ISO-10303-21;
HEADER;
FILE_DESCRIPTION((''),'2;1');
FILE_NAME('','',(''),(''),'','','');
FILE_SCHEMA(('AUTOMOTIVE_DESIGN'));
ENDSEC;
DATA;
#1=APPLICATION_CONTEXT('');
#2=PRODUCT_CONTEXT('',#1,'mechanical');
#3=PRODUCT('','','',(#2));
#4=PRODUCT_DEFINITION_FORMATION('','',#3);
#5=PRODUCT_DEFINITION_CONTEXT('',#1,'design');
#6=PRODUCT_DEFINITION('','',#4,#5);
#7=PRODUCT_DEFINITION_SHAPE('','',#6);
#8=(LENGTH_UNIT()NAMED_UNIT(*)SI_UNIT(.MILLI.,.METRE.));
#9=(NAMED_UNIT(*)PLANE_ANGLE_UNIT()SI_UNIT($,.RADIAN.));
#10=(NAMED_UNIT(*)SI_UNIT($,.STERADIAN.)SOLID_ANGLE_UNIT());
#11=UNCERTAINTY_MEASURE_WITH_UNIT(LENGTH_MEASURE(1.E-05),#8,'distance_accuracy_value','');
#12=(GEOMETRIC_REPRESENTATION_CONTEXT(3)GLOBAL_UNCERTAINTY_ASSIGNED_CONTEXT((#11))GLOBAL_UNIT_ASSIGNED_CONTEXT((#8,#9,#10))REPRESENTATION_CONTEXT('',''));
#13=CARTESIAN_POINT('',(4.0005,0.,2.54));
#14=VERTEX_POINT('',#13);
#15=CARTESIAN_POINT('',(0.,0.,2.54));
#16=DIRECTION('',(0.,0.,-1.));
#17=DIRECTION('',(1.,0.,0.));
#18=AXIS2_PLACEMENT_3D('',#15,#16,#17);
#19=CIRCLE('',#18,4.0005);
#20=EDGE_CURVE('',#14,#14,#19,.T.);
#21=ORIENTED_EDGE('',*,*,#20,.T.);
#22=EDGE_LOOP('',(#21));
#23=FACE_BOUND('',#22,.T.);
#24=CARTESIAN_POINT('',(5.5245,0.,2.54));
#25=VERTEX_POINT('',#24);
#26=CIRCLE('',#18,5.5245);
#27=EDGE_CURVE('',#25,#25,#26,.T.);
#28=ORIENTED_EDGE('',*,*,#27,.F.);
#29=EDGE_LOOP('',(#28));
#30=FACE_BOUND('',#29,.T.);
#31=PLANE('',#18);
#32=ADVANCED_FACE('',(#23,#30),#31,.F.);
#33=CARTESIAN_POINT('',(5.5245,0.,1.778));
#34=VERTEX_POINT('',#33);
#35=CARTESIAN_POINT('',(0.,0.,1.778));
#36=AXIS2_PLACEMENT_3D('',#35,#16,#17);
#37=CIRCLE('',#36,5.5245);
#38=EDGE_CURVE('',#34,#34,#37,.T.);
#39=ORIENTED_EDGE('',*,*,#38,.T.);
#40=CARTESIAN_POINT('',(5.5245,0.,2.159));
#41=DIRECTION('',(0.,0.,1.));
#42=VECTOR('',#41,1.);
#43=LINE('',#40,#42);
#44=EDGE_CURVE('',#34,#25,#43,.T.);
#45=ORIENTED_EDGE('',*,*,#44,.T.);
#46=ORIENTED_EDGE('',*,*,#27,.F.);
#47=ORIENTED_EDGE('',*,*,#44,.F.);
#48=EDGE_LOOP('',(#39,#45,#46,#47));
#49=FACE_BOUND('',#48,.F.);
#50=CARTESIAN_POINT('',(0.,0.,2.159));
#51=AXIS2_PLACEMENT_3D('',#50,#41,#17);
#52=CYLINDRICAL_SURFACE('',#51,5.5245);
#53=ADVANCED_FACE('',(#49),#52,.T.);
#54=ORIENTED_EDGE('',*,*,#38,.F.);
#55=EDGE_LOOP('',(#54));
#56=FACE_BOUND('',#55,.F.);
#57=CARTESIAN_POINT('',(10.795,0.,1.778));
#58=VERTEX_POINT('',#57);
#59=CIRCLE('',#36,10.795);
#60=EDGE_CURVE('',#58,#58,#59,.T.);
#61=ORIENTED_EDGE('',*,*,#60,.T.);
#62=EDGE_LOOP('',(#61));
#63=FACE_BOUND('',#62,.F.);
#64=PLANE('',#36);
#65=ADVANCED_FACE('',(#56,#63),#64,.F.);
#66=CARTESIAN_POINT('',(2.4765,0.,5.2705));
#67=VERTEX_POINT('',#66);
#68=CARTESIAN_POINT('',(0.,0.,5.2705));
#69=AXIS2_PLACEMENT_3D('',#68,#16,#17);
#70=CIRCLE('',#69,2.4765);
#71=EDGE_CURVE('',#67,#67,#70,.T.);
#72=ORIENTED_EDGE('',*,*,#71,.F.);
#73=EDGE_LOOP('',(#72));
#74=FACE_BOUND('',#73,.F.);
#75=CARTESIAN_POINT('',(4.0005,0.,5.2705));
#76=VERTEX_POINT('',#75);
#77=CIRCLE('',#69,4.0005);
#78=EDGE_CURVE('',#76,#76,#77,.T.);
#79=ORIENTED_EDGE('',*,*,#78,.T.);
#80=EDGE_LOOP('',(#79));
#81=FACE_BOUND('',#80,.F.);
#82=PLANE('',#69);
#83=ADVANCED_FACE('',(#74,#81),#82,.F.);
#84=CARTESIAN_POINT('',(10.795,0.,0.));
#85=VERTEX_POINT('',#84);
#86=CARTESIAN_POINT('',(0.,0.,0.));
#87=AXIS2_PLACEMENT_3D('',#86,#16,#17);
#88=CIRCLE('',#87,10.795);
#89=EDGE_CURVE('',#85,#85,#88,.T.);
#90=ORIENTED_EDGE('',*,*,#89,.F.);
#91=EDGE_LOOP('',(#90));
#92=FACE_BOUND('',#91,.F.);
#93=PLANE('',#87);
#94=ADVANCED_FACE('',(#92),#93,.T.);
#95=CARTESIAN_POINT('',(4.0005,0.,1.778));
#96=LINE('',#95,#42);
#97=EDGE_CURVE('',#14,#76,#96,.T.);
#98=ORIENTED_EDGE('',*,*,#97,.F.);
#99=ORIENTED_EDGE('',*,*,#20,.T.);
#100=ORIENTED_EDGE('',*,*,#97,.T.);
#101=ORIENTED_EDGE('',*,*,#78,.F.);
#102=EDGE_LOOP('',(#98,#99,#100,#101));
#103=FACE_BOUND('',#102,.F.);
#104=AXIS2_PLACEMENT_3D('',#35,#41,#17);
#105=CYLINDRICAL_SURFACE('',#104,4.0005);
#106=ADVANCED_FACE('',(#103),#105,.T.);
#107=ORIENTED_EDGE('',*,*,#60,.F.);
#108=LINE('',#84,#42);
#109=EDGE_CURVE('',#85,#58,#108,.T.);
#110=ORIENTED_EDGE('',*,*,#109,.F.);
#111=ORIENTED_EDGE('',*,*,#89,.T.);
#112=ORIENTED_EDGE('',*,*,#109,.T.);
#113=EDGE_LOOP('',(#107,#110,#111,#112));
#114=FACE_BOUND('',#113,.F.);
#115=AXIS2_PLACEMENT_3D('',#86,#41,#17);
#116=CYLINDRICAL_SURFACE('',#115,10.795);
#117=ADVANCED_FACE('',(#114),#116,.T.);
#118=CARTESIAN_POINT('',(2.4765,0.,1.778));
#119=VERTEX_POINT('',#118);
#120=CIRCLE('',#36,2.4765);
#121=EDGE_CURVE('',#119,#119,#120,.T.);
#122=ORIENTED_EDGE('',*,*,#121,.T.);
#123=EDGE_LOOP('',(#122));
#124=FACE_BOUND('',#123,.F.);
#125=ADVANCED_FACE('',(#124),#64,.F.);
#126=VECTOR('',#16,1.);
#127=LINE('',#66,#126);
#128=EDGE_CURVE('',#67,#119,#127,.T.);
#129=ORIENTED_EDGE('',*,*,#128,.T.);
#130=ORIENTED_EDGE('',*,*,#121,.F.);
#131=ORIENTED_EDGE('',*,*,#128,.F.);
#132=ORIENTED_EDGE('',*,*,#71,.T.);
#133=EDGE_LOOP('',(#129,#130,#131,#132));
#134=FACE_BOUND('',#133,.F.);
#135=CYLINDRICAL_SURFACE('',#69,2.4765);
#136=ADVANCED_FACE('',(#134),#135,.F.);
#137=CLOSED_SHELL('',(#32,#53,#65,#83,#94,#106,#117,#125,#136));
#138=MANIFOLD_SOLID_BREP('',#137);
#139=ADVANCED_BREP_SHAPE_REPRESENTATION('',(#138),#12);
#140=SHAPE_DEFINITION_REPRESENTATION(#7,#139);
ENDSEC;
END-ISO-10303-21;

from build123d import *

# Parameters (mm, degrees)
F0_W = 1.524
F0_H = 0.762


with BuildPart() as f1:
    # F0 (on Front) → F1 (revolve)
    with BuildSketch(Plane.XZ):
        Polygon((0, 1.778), (0, 0), (10.795, 0), (10.795, 1.778), (5.5245, 1.778), (4.0005, 1.778), (4.0005, 2.54), (4.0005, 5.2705), (2.4765, 5.2705), (2.4765, 1.778), align=None)
        with Locations((4.7625, 2.159)):
            Rectangle(F0_W, F0_H)
    revolve(axis=Axis((0, 0, 13.315846), (0, 0, -1)))


solid = f1.part
